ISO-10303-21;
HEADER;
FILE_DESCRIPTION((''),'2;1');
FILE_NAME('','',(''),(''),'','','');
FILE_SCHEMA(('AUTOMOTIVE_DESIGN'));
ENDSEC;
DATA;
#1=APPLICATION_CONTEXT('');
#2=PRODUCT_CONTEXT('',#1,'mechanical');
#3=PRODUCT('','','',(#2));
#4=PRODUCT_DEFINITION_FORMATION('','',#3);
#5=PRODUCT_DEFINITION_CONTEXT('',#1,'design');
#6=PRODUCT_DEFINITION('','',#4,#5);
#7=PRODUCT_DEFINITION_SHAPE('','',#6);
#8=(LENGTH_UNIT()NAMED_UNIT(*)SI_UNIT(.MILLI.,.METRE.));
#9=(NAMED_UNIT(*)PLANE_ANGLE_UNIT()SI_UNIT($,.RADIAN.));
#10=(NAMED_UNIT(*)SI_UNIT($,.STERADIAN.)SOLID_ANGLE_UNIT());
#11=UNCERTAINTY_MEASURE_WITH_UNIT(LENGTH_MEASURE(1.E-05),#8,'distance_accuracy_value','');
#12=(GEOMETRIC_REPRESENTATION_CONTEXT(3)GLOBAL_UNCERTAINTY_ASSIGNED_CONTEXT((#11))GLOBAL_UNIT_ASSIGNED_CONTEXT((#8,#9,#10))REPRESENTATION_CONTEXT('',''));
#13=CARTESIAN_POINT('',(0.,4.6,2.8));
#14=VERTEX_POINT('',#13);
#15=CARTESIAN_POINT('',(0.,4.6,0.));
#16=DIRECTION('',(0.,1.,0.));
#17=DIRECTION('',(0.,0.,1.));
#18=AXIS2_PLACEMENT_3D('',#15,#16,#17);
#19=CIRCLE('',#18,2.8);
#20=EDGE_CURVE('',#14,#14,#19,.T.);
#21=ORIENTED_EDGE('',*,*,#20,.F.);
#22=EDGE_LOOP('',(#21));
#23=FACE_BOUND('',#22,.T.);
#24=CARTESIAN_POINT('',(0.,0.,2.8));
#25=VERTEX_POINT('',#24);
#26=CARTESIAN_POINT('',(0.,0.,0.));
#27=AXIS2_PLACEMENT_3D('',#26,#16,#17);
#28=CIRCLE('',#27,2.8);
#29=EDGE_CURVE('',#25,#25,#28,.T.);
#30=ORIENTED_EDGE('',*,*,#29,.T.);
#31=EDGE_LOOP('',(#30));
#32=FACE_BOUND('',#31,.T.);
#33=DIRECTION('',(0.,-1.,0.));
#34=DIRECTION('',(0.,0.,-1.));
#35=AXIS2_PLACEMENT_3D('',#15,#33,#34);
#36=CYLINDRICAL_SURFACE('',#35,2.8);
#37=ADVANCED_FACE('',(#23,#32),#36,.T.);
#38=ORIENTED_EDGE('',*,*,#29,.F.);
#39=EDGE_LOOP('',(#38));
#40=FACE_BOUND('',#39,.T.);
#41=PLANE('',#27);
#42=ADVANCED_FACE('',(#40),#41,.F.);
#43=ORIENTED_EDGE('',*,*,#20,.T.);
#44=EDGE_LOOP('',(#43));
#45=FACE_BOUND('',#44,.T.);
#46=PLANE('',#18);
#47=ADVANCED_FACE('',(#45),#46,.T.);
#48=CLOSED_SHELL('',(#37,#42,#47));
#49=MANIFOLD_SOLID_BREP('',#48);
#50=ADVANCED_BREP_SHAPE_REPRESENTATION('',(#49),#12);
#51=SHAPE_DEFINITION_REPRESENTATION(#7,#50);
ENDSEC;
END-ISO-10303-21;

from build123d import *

# Parameters (mm, degrees)
SKETCH_1_R      = 2.8
EXTRUDE_1_DEPTH = 4.6


with BuildPart() as part:
    # Эскиз1 → Бобышка-Вытянуть1 (new body)
    with BuildSketch(Plane(origin=(0, 0, 0), x_dir=(1, 0, 0), z_dir=(0, 1, 0))):
        with Locations(Location((0, 0, 0), (0, 0, 270))):
            Circle(SKETCH_1_R)
    extrude(amount=EXTRUDE_1_DEPTH)


solid = part.part
